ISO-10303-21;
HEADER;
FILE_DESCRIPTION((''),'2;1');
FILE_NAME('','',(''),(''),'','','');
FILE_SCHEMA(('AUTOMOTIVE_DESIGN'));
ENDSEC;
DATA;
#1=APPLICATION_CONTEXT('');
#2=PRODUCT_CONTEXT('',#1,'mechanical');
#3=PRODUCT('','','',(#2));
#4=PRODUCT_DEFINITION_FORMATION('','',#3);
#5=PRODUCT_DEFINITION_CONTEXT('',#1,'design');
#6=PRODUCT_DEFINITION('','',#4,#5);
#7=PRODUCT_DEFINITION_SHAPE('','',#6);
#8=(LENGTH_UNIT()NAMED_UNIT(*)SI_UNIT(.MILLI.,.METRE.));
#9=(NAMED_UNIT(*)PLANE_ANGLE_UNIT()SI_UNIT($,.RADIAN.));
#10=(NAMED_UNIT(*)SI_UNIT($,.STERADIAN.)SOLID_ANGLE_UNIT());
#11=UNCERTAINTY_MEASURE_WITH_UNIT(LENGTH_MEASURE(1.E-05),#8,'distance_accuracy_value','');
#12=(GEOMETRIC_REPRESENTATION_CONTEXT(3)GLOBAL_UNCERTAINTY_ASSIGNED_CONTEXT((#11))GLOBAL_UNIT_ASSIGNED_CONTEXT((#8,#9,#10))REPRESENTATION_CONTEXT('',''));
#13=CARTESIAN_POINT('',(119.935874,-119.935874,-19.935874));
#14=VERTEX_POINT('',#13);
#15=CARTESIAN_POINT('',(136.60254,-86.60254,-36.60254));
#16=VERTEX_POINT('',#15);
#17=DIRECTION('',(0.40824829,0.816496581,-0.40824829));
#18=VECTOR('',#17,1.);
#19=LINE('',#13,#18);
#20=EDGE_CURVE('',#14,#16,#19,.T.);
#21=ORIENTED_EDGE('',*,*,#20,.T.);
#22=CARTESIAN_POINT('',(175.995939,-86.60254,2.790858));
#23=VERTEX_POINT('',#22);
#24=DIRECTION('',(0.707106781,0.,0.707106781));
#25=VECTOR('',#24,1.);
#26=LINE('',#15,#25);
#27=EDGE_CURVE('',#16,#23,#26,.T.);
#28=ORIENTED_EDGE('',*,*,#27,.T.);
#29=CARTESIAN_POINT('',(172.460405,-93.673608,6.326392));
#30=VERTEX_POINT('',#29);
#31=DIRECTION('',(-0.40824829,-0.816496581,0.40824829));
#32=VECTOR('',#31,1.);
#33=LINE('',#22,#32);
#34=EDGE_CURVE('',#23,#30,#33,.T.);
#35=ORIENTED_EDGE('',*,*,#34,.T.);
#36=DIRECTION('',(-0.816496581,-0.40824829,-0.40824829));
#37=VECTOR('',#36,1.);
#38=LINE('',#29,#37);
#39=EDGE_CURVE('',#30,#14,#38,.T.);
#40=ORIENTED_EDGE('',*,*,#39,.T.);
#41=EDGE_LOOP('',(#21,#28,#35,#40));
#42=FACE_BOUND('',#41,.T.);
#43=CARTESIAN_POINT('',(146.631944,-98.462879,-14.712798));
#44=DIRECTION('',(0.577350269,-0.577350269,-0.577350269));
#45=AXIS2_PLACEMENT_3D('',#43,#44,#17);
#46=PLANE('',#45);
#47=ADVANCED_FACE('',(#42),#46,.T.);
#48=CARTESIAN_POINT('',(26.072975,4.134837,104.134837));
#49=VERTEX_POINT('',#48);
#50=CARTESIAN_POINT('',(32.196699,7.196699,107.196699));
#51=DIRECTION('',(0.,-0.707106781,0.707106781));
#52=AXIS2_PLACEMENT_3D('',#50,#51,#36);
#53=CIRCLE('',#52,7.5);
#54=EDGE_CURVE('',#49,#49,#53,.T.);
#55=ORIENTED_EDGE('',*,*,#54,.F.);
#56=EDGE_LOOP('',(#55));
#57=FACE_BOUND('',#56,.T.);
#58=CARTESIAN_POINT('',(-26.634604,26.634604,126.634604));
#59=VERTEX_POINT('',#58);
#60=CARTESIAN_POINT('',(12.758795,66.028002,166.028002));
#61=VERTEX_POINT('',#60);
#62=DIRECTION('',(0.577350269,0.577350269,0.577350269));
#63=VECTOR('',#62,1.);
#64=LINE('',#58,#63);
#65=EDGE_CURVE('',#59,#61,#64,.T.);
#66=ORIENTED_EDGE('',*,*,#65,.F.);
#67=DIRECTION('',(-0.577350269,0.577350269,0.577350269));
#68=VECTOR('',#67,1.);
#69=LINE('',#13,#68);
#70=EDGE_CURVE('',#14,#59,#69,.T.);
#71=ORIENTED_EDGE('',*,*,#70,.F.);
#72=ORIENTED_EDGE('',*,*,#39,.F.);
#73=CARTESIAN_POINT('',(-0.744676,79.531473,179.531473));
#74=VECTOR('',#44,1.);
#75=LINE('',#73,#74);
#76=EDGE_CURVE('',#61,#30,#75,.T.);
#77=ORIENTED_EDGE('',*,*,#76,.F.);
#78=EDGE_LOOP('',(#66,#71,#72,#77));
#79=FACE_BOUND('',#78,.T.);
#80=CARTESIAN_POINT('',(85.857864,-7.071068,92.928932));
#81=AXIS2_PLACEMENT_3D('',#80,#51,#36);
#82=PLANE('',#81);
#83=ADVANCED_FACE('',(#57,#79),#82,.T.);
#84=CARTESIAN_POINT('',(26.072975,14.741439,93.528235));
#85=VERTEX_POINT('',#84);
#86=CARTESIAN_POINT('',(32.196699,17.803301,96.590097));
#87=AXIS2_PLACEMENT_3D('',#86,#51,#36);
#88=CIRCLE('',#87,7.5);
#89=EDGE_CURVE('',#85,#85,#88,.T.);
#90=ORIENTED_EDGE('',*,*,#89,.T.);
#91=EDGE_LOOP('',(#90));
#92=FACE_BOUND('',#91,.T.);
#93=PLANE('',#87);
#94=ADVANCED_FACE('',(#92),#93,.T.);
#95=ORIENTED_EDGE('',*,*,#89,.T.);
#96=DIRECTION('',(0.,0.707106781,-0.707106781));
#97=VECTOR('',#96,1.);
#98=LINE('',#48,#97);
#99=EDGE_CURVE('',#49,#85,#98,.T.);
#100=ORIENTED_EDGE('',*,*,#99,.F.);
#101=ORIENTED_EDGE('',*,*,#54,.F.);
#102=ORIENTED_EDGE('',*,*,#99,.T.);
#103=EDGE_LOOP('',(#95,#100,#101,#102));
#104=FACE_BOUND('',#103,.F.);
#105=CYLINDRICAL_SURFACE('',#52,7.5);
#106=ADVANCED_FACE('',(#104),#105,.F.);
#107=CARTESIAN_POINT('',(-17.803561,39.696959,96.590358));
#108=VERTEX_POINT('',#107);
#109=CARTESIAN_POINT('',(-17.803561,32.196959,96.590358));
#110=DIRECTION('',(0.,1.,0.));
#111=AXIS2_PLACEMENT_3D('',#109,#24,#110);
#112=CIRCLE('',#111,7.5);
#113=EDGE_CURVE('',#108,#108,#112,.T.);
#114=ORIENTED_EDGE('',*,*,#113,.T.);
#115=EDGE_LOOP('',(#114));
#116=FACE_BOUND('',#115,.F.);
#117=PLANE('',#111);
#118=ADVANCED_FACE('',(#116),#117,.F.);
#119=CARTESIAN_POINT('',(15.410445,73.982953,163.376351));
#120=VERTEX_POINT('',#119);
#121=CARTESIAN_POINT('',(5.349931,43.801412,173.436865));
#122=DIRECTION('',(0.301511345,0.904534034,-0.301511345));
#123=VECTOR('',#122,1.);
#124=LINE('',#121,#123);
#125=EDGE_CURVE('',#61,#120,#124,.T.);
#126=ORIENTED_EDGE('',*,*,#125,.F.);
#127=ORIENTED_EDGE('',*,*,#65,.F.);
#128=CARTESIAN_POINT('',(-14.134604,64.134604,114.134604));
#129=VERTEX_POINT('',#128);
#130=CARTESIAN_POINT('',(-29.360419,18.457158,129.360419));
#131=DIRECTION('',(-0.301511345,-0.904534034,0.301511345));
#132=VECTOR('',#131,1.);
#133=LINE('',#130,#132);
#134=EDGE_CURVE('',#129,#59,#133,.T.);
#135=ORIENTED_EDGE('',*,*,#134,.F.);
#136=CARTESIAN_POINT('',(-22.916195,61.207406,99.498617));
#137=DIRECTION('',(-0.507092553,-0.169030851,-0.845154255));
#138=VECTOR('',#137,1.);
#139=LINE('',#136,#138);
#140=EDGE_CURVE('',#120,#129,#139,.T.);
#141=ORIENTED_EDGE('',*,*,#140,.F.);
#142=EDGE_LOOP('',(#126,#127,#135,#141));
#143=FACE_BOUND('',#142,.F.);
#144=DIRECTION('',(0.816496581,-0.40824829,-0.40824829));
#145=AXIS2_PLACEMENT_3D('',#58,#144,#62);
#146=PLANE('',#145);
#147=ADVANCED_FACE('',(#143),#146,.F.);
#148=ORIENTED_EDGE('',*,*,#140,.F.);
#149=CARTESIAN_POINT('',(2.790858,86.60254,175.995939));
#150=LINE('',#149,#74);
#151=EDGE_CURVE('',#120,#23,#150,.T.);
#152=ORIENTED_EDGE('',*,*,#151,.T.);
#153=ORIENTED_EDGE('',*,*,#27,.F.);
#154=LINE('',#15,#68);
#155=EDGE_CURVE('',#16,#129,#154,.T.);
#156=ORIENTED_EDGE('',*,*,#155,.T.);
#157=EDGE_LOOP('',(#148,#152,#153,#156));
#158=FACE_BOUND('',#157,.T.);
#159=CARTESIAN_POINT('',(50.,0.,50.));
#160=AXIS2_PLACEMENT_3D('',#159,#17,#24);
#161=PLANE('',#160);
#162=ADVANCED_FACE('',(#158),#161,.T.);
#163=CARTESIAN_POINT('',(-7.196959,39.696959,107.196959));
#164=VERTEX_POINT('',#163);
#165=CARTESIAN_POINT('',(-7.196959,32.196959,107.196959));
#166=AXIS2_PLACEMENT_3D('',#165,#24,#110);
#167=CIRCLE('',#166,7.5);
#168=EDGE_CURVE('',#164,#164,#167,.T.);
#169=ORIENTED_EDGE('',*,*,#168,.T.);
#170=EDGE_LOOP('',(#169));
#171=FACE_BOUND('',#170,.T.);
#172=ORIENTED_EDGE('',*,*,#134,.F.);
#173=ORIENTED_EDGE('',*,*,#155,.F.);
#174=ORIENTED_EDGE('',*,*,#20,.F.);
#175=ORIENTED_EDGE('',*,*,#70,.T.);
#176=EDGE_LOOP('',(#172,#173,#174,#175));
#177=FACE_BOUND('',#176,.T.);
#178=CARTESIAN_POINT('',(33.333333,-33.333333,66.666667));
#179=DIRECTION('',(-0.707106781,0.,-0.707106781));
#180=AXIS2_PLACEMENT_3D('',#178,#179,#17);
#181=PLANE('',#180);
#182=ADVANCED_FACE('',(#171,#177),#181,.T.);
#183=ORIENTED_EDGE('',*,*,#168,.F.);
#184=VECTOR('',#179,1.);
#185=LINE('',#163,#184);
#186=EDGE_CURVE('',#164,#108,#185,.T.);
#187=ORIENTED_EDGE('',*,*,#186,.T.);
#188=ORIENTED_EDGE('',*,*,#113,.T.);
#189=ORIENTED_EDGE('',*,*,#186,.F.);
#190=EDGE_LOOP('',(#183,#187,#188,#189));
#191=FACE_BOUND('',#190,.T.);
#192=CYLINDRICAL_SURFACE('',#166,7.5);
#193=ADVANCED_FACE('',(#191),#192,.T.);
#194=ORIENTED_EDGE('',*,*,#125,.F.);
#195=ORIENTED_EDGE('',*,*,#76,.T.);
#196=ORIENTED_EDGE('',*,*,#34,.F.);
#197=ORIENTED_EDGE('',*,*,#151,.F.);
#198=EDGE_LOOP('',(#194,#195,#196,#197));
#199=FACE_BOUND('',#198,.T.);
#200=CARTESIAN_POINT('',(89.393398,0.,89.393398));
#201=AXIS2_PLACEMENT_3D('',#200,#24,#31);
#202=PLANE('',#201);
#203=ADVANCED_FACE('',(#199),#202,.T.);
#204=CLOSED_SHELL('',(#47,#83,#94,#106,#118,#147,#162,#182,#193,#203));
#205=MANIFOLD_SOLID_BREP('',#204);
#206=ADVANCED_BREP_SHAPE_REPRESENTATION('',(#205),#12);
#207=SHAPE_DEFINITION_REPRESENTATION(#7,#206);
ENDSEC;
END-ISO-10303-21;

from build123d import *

# Parameters (mm, degrees)
PAD001_DEPTH            = 150
SKETCH001_R             = 7.5
PAD_DEPTH               = 15
SKETCH003_R             = 7.5
POCKET003_DEPTH         = 15
POCKET004_DEPTH         = 50
BODY003_PLACEMENT_ANGLE = 90


with BuildPart() as part:
    # Sketch002 (on DatumPlane) → Pad001 (new body, symmetric)
    with BuildSketch(Plane(origin=(0, -50, 50), x_dir=(0.8164965809, -0.4082482905, -0.4082482905), z_dir=(-0.5773502692, -0.5773502692, -0.5773502692))):
        Polygon((0, 0), (0, 55.7106781187), (-8.6602540378, 55.7106781187), (-40.8248290464, 0), align=None)
    extrude(amount=PAD001_DEPTH, both=True)

    # Sketch001 (on Face7 of Binder001) → Pad (join)
    with BuildSketch(Plane(origin=(0, -50, 50), x_dir=(1, 0, 0), z_dir=(0, -0.7071067812, 0.7071067812))):
        with Locations((32.1969593942, 80.8887157017)):
            Circle(SKETCH001_R)
    extrude(amount=-PAD_DEPTH)

    # Sketch003 (on Face6 of Pad) → Pocket003 (cut)
    with BuildSketch(Plane(origin=(-25, -50, 75), x_dir=(-0.4082482905, 0.8164965809, -0.4082482905), z_dir=(-0.7071067812, 0, 0.7071067812))):
        with Locations((-11.7521604853, -47.4562863756)):
            Circle(SKETCH003_R)
    extrude(amount=-POCKET003_DEPTH, mode=Mode.SUBTRACT)

    # Sketch005 (on Face6 of Pocket003) → Pocket004 (cut)
    with BuildSketch(Plane(origin=(-25, -50, 75), x_dir=(-0.4082482905, 0.8164965809, -0.4082482905), z_dir=(-0.7071067812, 0, 0.7071067812))):
        Polygon((20.4124145232, -103.8675134595), (-48.2468625128, -128.1422336512), (-48.2468625128, -150), (20.4124145232, -150), align=None)
    extrude(amount=-POCKET004_DEPTH, mode=Mode.SUBTRACT)


with BuildPart() as part_1:
    # Body003 placement: moved
    add(part.part.rotate(Axis((0, 0, 0), (0, 0, 1)), BODY003_PLACEMENT_ANGLE))


solid = part_1.part
